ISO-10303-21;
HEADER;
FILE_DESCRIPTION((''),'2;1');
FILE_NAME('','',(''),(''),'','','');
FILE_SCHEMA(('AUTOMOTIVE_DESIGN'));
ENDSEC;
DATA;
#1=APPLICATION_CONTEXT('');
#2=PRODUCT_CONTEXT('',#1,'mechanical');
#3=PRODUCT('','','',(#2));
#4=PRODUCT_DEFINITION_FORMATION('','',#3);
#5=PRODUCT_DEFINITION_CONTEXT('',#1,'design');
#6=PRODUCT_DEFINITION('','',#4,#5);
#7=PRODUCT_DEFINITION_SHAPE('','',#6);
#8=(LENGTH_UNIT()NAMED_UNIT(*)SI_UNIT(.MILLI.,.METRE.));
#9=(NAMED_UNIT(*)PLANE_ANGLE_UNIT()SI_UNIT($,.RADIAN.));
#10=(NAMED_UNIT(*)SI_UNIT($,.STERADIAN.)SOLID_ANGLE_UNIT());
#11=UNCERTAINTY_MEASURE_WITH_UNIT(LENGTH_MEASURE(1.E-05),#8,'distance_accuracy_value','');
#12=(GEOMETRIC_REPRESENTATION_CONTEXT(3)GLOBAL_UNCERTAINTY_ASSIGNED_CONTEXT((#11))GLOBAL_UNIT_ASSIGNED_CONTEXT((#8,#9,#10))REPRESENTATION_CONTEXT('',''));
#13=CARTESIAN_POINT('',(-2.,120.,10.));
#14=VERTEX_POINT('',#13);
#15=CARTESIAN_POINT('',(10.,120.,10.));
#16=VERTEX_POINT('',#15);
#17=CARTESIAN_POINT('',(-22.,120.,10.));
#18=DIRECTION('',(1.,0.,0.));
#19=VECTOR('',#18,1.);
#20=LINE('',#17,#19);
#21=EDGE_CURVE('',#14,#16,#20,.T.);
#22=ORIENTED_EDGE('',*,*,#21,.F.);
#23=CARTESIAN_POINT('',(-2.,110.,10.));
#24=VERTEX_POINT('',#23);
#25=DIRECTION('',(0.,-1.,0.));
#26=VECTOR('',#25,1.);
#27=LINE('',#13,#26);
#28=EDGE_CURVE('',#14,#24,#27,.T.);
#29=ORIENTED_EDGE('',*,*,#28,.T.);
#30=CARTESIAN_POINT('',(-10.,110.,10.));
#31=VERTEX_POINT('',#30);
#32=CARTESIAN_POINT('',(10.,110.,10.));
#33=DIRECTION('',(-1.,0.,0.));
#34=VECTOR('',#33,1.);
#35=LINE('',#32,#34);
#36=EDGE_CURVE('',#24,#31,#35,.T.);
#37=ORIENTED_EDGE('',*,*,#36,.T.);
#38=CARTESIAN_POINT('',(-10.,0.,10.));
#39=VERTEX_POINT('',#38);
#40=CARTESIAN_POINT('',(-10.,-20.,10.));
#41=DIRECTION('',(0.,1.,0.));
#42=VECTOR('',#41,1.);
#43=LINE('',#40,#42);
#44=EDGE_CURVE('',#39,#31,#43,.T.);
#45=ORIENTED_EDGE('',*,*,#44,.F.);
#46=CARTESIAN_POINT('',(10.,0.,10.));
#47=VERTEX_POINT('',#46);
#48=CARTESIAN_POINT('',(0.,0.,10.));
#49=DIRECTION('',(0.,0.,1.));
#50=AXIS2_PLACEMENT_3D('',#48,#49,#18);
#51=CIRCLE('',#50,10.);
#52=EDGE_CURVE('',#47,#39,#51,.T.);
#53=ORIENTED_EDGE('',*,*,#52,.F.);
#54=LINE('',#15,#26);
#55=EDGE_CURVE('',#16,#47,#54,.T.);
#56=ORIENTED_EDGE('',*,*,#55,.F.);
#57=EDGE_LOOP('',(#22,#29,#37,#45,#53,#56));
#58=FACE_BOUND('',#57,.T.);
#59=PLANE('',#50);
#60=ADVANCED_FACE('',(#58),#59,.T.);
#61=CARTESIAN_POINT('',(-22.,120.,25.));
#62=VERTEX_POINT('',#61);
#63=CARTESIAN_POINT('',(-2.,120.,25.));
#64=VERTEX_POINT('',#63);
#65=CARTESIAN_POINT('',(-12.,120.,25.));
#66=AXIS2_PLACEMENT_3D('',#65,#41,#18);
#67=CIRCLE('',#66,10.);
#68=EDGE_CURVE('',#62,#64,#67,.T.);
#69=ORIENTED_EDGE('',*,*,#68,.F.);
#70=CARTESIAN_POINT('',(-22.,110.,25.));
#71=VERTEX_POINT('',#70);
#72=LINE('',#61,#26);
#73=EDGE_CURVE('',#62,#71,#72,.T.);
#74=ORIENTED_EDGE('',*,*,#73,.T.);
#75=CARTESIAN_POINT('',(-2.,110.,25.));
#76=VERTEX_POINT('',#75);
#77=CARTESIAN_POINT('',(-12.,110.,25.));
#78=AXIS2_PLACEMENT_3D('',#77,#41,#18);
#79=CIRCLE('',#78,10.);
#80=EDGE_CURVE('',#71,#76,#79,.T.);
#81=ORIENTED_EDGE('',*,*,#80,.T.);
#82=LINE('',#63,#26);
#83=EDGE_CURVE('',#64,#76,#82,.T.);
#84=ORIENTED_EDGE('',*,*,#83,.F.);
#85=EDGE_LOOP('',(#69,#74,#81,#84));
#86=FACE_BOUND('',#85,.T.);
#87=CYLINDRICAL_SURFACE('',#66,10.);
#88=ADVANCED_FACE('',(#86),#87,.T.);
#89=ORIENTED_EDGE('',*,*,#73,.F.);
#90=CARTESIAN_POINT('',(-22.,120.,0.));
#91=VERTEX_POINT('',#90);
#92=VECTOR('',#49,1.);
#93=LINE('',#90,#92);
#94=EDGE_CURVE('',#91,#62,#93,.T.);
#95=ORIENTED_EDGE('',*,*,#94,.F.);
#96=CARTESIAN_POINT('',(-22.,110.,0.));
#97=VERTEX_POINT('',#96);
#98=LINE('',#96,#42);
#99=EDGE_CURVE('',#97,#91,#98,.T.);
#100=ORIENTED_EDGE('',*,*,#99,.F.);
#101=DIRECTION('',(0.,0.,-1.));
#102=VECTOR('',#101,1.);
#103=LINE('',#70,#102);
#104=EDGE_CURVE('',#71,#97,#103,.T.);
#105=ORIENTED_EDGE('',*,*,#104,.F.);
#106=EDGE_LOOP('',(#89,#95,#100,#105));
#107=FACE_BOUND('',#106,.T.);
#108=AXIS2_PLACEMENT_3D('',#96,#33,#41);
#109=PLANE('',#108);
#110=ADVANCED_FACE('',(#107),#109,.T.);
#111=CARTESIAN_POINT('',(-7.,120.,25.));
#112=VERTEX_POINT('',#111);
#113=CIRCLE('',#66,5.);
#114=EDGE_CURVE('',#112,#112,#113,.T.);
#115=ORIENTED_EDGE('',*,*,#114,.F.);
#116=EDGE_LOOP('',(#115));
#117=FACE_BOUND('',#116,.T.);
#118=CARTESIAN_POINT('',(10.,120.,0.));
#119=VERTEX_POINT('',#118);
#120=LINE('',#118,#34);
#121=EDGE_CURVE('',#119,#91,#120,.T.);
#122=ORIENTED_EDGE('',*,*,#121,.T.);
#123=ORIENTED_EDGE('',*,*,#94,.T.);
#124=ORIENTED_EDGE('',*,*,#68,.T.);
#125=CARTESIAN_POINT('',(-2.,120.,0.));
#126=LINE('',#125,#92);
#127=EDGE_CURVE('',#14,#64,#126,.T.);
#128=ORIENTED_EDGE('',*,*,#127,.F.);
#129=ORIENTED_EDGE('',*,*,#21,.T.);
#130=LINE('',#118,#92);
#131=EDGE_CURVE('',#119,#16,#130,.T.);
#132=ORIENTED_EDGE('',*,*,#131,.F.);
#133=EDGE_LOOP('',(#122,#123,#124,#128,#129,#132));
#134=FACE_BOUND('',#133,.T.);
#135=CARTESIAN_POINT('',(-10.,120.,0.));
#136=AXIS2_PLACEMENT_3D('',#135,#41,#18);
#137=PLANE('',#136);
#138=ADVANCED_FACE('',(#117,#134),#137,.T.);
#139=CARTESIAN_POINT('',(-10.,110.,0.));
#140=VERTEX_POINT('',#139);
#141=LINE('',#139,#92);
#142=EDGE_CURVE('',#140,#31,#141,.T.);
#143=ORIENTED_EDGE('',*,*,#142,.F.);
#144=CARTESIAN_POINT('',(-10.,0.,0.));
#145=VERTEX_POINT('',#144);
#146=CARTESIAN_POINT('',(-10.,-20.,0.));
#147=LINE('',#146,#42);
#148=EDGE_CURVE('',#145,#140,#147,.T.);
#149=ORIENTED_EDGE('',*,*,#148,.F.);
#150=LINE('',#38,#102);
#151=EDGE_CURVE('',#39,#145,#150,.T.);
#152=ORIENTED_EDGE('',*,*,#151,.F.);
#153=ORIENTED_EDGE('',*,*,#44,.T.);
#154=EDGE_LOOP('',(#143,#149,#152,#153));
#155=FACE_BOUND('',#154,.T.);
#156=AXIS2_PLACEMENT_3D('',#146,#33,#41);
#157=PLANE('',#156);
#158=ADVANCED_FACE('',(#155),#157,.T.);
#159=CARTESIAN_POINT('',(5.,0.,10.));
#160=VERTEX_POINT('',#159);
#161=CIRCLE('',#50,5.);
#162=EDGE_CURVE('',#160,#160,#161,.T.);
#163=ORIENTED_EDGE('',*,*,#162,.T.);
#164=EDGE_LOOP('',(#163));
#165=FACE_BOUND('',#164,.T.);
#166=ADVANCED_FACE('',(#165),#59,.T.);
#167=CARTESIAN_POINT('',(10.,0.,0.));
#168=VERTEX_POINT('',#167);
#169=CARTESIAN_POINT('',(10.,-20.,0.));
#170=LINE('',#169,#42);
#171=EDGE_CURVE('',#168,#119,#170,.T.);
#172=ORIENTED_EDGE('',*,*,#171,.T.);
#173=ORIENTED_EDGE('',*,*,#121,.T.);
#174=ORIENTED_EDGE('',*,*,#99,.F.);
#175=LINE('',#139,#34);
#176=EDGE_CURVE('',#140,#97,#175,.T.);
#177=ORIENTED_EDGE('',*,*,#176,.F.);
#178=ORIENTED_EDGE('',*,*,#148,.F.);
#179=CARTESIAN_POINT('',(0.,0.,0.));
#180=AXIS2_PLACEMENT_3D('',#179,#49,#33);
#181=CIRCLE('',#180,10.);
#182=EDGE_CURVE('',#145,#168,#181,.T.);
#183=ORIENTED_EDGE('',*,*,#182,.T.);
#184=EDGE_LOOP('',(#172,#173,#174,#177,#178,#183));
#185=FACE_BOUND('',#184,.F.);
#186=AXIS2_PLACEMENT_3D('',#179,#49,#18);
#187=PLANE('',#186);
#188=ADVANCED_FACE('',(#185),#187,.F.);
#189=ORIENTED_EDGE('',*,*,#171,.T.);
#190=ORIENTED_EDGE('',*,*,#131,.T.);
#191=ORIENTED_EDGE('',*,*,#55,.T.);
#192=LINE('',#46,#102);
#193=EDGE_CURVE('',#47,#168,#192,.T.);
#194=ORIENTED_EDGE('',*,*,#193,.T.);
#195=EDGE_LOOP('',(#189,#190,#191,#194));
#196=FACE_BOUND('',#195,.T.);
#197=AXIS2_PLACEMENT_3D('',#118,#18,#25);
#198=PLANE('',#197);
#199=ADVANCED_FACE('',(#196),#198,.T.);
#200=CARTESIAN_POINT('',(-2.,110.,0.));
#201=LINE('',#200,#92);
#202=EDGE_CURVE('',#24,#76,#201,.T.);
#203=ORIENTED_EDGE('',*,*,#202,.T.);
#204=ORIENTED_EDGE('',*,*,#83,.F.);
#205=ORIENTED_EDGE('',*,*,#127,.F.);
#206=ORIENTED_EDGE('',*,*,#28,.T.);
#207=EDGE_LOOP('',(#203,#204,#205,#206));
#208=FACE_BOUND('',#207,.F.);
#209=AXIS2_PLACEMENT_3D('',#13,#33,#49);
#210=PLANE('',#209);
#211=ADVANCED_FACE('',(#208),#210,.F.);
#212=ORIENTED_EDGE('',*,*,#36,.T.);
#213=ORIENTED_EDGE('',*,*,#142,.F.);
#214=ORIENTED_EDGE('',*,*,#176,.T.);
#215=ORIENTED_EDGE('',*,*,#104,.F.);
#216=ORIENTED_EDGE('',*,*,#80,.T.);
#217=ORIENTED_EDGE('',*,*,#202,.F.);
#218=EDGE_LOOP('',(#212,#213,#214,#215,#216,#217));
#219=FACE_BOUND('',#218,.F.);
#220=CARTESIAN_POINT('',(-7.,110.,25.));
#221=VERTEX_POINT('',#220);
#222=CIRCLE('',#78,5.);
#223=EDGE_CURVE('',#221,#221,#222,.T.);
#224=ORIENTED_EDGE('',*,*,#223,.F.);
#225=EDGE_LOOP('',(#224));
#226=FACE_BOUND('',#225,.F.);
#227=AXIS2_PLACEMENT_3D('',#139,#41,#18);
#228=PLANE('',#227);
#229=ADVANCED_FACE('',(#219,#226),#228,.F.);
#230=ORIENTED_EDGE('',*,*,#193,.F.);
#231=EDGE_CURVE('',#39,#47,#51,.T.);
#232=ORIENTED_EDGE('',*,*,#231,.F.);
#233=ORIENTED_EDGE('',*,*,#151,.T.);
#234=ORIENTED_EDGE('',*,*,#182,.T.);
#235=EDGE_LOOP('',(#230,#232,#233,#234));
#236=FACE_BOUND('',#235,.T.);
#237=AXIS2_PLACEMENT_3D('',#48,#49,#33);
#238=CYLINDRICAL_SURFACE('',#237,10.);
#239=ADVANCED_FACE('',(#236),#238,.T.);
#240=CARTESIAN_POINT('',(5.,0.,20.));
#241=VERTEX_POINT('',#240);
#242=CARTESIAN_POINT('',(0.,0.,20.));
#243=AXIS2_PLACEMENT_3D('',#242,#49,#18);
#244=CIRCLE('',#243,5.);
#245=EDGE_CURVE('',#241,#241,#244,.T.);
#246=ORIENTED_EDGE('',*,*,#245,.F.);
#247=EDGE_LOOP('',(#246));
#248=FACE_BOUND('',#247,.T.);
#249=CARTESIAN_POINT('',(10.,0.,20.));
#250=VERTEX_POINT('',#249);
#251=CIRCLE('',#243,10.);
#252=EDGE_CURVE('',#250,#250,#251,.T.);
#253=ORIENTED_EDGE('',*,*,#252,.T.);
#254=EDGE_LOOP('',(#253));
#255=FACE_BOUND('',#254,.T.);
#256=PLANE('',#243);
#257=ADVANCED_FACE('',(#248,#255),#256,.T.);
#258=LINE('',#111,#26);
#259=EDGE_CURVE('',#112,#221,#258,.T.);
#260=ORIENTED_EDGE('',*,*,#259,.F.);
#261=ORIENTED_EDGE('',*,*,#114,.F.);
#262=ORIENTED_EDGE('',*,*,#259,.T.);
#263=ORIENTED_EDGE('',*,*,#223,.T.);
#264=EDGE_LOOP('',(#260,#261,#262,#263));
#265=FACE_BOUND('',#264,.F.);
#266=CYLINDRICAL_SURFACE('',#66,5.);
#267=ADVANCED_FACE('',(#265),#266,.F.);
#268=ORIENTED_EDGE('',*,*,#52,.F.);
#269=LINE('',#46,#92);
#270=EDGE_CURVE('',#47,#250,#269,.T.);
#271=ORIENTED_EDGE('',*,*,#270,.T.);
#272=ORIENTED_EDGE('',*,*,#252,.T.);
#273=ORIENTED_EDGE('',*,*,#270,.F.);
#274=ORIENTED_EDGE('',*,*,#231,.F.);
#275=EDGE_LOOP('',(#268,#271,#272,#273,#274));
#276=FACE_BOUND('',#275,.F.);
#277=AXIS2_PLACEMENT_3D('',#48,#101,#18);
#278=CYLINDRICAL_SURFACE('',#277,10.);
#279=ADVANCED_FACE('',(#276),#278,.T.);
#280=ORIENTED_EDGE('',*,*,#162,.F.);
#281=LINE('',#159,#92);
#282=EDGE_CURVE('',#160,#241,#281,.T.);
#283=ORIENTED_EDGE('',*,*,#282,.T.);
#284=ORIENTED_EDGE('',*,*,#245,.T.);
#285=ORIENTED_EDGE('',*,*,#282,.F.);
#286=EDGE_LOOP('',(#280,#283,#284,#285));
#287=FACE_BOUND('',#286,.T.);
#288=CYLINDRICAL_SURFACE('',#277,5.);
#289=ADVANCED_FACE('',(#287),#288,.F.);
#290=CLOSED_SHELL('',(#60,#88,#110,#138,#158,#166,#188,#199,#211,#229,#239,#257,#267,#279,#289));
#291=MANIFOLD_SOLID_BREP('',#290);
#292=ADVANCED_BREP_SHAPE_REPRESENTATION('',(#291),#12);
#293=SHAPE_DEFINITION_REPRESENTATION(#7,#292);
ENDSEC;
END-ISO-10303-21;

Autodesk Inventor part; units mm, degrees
ref_plane "YZ Plane" through (0, 0, 0) normal (1, 0, 0) x (0, 1, 0)
ref_plane "XZ Plane" through (0, 0, 0) normal (0, 1, 0) x (-1, 0, 0)
ref_plane "XY Plane" through (0, 0, 0) normal (0, 0, 1) x (1, 0, 0)
sketch "草圖1" plane through (0, 0, 0) normal (0, 0, 1) x (1, 0, 0)
  line L0 (-10, 120) -> (10, 120)
  line L1 (10, 120) -> (10, -20)
  line L2 (10, -20) -> (-10, -20)
  line L3 (-10, -20) -> (-10, 120)
  line L4 (10, 110) -> (-10, 110)
  line L5 (10, 120) -> (10, 110)
  line L6 (-10, 110) -> (-22, 110)
  line L7 (-22, 110) -> (-22, 120)
  line L8 (-22, 120) -> (-10, 120)
  line L9 (-10, 120) -> (-10, 110)
  line L10 (10, 110) -> (22, 110)
  line L11 (22, 110) -> (22, 120)
  line L12 (22, 120) -> (10, 120)
  line L13 (10, 120) -> (10, 110)
  point P0 (0, 0)
  point P1 (0, -20)
  dimension "d0" = 20
  dimension "d1" = 140
  dimension "d2" = 20
  dimension "d18" = 10
  dimension "d20" = 12
  dimension "d21" = 10
  dimension "d22" = 12
  dimension "d23" = 10
extrude "擠出1" add sketch "草圖1" along normal blind 10 contours L0 L1 L4 L3 | L3 L6 L7 L8 | L4 L1 L2 L3
sketch "草圖2" plane through (0, 0, 10) normal (0, 0, 1) x (1, 0, 0)
  circle A0 centre (0, 0) radius 10
  circle A1 centre (0, 0) radius 5
  dimension "d5" = 20
  dimension "d6" = 10
extrude "擠出2" add sketch "草圖2" along normal blind 10
sketch "草圖3" plane through (-10, 120, 0) normal (0, 1, 0) x (1, 0, 0)
  circle A0 centre (-2, -25) radius 10
  line L0 (20, -10) -> (-12, -10) projected
  line L1 (-12, 0) -> (20, 0) projected
  line L2 (-12, 0) -> (8, 0)
  line L3 (8, 0) -> (8, -25)
  line L4 (8, -25) -> (-12, -25)
  line L5 (-12, -25) -> (-12, 0)
  line L6 (-12, 0) -> (-12, -10) projected
  point P0 (10, 0)
  point P1 (0, -10)
  point P2 (0, 0)
  point P3 (32, -10)
  point P4 (32, 0)
  point P5 (8, -10)
  dimension "d9" = 20
  dimension "d10" = 25
extrude "擠出3" add sketch "草圖3" against normal blind 10 contours L4 A0 | A0 L5 L0 L3 | A0 L4
sketch "草圖4" plane through (-10, 120, 0) normal (0, 1, 0) x (1, 0, 0)
  circle A0 centre (-2, -25) radius 10 projected
  circle A1 centre (-2, -25) radius 5
  point P0 (10, 0)
  point P1 (8, -25)
  point P2 (-12, -25)
  point P3 (0, 25)
  dimension "d13" = 10
extrude "擠出4" cut sketch "草圖4" against normal blind 10 contours A1
sketch "草圖5" plane through (0, 0, 10) normal (0, 0, 1) x (1, 0, 0)
  arc A0 (-10, 0) -> (10, 0) centre (0, 0) ccw projected
  line L0 (-10, 0) -> (-10, -20) projected
  line L1 (-10, -20) -> (10, -20) projected
  line L2 (10, -20) -> (10, 0) projected
extrude "擠出5" cut sketch "草圖5" against normal through all
equation "\"d21\" = d18"
equation "\"d22\" = d20"
equation "\"d23\" = d21"
properties part number "本體"
